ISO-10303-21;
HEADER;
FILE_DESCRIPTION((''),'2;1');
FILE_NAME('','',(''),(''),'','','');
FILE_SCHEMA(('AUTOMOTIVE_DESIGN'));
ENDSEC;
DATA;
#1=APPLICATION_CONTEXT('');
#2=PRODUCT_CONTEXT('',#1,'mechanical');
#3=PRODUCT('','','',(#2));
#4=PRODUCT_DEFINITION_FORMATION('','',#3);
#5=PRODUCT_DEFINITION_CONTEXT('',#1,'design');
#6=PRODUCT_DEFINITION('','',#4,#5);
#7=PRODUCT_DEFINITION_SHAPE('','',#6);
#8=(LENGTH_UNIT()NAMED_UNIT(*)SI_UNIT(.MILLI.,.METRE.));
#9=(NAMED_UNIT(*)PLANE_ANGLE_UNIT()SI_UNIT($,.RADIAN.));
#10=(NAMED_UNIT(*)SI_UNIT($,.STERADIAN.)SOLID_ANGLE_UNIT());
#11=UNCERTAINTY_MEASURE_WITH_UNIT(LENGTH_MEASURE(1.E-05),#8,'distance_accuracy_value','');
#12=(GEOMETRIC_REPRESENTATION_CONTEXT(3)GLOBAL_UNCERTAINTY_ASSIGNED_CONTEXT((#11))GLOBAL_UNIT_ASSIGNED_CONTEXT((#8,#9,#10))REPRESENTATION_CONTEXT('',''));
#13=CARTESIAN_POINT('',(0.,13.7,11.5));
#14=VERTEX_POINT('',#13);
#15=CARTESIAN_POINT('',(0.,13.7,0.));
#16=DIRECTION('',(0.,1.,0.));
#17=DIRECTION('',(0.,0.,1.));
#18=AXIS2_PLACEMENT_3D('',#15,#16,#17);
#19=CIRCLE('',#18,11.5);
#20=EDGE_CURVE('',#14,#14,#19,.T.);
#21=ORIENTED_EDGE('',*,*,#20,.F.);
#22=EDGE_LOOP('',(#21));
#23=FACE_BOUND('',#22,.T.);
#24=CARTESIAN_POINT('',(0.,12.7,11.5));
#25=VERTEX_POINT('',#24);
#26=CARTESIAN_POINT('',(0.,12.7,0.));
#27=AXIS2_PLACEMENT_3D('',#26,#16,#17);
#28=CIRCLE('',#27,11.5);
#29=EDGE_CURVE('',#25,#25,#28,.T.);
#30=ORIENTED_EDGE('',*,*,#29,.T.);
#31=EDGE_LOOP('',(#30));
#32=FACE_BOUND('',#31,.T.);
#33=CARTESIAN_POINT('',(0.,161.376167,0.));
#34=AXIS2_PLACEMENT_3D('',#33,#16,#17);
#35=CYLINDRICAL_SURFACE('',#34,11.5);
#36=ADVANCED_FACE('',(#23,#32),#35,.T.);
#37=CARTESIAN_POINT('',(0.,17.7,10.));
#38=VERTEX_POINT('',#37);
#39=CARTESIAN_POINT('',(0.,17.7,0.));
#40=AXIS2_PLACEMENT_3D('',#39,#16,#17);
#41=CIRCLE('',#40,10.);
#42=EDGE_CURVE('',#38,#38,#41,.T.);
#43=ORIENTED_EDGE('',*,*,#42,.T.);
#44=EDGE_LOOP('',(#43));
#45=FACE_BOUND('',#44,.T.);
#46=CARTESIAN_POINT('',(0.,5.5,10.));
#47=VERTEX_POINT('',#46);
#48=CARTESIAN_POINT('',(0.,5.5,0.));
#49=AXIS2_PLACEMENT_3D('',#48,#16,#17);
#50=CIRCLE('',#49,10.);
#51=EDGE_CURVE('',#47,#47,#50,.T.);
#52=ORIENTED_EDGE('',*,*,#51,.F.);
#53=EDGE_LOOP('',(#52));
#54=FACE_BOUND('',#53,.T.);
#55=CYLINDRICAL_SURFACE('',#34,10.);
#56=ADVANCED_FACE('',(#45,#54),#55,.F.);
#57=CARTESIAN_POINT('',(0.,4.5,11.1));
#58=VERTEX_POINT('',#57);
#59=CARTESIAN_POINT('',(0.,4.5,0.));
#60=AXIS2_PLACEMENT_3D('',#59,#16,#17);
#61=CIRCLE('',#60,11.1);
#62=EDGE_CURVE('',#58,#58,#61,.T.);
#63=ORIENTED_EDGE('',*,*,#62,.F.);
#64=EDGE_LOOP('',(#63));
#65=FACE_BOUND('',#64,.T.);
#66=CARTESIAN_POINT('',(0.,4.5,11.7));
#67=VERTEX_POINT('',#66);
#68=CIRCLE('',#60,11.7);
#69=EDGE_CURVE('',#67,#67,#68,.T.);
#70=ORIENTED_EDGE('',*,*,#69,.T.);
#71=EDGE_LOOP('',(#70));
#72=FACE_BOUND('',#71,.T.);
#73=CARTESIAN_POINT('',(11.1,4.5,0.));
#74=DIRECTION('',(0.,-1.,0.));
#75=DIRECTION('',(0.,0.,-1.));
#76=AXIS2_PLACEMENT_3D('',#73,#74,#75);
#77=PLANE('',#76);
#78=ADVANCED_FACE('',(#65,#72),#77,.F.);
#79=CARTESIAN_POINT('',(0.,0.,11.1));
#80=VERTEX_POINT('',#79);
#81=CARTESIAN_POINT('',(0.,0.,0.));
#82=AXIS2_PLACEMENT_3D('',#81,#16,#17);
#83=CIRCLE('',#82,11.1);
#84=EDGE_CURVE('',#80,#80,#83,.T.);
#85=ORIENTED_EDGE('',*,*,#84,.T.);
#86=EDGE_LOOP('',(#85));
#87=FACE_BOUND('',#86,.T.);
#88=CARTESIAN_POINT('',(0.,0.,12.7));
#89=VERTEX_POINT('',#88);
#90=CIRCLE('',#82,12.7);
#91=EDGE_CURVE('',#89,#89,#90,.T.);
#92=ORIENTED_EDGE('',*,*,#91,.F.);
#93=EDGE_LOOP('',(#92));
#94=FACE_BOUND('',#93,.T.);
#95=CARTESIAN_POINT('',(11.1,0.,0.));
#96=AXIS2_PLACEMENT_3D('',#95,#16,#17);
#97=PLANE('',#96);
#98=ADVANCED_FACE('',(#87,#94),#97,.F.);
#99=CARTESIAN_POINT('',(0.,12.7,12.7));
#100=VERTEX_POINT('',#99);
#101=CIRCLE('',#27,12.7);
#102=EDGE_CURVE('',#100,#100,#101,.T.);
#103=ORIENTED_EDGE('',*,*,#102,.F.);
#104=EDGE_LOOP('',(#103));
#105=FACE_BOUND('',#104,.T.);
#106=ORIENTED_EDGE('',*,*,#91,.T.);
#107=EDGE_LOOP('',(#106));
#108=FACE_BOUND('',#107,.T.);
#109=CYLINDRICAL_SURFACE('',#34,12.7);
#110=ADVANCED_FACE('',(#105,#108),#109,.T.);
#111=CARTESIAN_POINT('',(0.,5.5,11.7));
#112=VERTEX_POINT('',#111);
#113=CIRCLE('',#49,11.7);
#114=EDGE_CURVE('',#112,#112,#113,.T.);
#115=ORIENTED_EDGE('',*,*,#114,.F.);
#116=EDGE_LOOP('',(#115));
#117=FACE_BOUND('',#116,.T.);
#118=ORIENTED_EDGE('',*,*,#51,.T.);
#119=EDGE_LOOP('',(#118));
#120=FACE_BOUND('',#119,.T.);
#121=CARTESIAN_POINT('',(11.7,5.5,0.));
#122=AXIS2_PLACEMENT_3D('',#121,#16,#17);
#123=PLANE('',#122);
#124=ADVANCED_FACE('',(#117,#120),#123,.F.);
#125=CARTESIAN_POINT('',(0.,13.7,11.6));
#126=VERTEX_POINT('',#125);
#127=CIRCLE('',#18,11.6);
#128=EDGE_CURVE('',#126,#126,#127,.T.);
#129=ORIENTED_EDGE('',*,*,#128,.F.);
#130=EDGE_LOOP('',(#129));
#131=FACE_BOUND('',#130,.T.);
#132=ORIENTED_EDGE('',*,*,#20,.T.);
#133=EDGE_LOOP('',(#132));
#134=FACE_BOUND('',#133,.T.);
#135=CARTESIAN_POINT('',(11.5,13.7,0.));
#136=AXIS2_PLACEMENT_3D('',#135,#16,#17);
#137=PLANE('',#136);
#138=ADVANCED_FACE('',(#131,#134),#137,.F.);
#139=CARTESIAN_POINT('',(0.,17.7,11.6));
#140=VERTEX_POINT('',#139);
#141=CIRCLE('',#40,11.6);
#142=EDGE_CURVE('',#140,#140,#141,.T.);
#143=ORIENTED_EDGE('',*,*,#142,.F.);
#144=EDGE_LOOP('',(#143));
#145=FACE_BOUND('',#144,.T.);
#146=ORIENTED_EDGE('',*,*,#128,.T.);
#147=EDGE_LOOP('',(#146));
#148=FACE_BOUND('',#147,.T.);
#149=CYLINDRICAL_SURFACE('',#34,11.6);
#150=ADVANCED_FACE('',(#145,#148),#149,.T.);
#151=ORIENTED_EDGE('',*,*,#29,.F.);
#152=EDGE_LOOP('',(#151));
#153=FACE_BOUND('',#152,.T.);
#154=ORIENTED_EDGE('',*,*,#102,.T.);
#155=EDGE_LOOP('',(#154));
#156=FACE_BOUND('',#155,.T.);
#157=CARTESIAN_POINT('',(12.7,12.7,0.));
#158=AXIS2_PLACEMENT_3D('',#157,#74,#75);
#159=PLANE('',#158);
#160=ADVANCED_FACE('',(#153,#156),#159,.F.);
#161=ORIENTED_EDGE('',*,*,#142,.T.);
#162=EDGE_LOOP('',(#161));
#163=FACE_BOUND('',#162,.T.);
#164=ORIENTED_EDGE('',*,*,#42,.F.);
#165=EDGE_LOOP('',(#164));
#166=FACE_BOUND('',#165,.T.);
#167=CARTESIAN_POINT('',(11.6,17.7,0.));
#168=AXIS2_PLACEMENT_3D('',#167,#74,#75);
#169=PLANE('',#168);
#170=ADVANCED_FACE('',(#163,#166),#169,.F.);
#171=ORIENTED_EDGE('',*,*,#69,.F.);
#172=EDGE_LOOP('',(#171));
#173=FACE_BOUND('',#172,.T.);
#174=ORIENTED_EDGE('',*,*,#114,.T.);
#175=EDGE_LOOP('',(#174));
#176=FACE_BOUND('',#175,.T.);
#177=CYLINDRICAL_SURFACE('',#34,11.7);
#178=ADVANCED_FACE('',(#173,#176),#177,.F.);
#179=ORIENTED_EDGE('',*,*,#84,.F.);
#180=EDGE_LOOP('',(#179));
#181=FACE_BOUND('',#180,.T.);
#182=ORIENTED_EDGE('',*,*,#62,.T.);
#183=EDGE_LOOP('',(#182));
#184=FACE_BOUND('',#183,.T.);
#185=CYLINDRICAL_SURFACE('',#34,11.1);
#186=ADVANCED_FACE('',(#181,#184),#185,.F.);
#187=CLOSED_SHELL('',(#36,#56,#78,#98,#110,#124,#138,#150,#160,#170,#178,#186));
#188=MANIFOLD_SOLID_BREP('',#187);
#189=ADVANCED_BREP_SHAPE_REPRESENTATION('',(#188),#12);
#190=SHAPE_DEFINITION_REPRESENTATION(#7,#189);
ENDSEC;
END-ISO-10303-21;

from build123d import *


with BuildPart() as part:
    # 草图1 → 旋转1 (revolve)
    with BuildSketch(Plane.XY, mode=Mode.PRIVATE) as revolve_1_sk:
        Polygon((12.7, 0), (12.7, 12.7), (11.5, 12.7), (11.5, 13.7), (11.6, 13.7), (11.6, 17.7), (10, 17.7), (10, 5.5), (11.7, 5.5), (11.7, 4.5), (11.1, 4.5), (11.1, 0), align=None)
    revolve(revolve_1_sk.sketch.rotate(Axis((0, 161.376166943, 0), (0, -1, 0)), 90), axis=Axis((0, 161.376166943, 0), (0, -1, 0)))  # turned: the seam where the file's is


solid = part.part
